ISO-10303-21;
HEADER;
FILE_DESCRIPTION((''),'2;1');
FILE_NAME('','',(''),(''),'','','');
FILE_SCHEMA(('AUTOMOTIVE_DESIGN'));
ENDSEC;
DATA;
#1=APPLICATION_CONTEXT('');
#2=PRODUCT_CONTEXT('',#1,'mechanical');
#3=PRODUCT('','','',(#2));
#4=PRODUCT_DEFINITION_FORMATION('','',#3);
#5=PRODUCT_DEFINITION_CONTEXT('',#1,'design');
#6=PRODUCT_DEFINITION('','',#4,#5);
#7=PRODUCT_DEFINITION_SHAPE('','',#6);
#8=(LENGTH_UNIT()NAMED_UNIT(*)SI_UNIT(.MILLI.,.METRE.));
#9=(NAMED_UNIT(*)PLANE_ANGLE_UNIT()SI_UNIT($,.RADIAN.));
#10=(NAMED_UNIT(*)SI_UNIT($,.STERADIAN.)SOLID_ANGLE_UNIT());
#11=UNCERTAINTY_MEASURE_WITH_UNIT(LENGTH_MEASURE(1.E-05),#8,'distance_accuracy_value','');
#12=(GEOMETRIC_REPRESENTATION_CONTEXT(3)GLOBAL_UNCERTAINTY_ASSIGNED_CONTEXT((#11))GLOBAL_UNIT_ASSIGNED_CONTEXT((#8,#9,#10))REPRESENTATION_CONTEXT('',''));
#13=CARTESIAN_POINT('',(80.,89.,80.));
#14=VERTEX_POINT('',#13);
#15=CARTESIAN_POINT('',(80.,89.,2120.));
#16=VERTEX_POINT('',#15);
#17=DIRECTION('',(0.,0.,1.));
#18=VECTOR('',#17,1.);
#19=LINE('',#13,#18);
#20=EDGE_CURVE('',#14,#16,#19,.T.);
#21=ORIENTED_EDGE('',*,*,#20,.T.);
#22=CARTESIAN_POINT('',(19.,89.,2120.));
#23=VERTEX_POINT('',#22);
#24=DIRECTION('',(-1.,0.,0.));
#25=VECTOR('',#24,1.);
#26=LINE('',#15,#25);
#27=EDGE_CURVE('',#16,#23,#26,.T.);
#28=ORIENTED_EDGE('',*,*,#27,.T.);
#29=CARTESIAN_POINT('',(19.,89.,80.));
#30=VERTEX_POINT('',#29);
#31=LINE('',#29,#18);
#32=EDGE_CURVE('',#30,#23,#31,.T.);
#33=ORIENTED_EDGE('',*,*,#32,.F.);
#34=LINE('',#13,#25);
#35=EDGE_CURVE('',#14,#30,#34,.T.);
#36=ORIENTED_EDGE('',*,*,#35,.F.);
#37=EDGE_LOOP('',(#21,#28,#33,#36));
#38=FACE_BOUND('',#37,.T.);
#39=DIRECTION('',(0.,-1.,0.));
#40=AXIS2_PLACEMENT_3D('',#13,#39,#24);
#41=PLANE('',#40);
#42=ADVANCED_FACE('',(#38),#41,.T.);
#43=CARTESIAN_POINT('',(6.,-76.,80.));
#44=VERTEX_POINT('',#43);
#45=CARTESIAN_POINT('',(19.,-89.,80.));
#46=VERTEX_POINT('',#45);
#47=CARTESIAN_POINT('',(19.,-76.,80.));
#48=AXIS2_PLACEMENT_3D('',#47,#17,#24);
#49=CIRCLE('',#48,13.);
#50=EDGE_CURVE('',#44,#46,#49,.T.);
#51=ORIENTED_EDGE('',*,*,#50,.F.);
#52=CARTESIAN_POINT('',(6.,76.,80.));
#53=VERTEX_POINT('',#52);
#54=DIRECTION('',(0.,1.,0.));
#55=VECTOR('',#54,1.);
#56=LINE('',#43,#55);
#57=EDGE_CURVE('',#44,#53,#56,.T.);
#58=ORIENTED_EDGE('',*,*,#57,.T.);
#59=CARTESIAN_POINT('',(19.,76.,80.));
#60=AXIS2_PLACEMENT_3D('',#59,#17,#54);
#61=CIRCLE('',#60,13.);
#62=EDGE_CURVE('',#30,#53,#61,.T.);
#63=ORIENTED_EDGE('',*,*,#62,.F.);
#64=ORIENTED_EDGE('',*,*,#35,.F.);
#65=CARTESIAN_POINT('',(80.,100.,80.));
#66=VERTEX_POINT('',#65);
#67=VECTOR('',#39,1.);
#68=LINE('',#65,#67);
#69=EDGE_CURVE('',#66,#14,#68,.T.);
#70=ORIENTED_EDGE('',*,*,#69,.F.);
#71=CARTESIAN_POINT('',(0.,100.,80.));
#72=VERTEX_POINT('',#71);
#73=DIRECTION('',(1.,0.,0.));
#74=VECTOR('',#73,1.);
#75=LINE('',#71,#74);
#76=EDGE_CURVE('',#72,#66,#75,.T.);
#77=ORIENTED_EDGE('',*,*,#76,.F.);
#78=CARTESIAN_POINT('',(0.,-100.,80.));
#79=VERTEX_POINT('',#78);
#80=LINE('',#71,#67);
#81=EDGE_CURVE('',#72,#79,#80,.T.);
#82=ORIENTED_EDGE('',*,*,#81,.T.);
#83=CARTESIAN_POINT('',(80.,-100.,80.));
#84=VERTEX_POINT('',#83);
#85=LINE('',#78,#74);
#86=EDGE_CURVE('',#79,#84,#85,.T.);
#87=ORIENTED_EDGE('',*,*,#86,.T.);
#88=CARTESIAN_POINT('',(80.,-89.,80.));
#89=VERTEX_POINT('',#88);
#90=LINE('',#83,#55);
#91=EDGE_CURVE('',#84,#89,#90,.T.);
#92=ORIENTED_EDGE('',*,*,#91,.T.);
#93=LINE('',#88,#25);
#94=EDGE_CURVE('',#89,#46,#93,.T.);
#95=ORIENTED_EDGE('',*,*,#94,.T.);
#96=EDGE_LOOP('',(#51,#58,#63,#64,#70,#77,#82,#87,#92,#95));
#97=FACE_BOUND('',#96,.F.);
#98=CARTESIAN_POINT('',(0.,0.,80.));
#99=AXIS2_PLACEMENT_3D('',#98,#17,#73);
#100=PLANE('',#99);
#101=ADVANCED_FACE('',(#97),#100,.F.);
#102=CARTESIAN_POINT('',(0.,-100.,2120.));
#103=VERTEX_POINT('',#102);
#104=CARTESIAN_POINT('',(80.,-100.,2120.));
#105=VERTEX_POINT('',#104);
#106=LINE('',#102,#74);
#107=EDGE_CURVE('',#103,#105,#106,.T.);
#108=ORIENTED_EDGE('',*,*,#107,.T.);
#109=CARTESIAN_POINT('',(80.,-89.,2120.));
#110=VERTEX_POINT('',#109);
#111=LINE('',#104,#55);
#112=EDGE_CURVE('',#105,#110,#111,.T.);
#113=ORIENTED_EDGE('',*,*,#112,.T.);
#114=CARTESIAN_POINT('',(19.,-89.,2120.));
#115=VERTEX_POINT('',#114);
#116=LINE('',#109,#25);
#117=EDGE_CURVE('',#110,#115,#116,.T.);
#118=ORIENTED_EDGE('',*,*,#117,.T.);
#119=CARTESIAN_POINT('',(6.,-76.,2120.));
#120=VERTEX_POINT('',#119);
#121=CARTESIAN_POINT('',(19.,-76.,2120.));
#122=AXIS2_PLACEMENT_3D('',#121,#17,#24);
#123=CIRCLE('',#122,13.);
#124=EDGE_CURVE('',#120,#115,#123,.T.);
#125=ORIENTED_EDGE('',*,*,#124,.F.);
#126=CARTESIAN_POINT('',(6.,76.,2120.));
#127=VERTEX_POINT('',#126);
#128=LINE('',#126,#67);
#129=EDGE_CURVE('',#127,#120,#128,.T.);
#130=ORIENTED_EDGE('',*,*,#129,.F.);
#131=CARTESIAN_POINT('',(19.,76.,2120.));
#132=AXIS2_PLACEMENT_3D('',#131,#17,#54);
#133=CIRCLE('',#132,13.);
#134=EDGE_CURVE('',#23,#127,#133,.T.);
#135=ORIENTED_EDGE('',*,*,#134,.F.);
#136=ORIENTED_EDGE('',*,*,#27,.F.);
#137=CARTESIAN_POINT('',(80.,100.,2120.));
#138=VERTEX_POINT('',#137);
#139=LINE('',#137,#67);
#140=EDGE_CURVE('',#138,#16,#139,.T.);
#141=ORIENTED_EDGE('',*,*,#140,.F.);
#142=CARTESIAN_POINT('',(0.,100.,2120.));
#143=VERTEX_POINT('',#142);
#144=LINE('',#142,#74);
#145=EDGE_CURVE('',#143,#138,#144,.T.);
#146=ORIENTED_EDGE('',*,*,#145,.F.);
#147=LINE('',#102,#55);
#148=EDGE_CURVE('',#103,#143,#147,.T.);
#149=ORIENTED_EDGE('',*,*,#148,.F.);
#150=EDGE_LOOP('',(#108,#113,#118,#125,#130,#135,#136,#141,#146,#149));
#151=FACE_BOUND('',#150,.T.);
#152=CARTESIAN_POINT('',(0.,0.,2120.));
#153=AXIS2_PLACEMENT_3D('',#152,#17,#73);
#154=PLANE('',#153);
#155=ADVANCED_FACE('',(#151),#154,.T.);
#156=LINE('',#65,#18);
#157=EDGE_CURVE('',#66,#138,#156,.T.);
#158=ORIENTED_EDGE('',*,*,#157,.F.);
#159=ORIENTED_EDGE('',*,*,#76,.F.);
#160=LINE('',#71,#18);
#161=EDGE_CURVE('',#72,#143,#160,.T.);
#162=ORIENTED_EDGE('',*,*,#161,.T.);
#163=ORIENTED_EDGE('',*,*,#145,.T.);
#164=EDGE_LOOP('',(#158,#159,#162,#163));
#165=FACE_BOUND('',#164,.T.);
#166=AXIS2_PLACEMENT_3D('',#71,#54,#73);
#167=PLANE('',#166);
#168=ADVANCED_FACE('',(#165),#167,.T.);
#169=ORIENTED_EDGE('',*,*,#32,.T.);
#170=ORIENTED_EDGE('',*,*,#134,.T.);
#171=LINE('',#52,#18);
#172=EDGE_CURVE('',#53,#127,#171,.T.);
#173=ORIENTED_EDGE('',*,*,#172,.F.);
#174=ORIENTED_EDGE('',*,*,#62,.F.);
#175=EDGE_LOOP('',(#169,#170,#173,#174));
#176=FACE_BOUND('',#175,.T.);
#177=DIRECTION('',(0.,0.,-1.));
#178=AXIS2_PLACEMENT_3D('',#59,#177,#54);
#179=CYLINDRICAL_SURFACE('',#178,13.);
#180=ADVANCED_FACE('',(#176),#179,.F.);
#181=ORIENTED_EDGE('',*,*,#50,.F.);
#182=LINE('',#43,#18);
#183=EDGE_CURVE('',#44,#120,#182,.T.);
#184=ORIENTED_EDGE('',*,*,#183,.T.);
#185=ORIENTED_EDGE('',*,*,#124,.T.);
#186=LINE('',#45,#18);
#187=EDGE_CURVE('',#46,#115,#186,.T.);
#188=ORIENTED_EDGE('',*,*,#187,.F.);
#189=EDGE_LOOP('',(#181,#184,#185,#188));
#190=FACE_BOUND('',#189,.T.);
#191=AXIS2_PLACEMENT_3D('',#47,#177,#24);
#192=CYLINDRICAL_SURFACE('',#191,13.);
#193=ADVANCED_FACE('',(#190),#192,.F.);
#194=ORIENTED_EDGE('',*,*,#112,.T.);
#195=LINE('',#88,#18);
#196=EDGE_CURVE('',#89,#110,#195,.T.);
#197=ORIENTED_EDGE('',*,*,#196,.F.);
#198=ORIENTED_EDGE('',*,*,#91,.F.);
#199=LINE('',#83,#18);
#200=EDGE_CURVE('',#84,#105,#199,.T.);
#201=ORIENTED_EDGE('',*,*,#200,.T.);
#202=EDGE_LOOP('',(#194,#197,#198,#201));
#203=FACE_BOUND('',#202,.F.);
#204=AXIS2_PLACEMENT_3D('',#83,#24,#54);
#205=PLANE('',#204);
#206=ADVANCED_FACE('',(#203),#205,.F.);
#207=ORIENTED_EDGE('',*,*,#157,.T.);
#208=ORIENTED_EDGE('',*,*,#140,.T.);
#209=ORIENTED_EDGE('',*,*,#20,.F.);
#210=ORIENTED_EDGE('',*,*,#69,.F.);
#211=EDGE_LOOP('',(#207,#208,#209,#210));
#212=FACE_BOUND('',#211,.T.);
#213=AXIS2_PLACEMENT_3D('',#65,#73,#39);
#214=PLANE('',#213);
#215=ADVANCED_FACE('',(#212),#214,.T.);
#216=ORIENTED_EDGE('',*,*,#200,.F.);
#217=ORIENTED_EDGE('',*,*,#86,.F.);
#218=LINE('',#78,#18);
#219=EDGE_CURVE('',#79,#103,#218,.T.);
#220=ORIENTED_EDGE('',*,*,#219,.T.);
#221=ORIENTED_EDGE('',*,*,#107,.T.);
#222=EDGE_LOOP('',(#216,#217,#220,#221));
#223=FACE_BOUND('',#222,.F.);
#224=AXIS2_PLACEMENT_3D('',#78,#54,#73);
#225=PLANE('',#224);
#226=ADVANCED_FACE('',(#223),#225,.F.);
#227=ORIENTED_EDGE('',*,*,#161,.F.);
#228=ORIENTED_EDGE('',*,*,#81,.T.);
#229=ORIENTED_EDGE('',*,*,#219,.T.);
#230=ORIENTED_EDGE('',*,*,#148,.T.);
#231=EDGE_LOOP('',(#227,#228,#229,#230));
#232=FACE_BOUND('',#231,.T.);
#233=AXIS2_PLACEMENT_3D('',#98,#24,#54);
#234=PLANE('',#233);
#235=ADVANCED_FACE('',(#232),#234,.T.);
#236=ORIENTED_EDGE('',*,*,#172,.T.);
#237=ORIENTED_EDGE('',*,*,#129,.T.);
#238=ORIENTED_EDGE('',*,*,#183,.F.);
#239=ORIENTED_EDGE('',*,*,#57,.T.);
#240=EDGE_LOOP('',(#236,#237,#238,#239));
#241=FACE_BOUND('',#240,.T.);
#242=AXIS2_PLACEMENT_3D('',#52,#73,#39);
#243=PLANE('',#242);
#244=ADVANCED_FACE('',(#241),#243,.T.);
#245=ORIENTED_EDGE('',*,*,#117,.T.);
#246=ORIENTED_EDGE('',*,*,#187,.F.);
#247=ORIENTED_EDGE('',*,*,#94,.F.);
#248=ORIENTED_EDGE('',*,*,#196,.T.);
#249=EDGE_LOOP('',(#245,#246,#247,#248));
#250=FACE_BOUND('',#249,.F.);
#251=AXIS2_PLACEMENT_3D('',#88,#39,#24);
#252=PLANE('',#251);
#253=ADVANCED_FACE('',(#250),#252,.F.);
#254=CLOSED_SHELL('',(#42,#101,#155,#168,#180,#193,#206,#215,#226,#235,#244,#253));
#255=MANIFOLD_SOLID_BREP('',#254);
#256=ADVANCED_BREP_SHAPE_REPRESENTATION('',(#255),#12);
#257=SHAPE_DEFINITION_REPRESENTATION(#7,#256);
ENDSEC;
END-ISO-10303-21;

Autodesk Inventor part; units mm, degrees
ref_plane "Start plane" through (0, 0, 80) normal (0, 0, 1) x (1, 0, 0)
ref_plane "End plane" through (0, 0, 2120) normal (0, 0, 1) x (1, 0, 0)
sketch "Sketch" plane through (0, 0, 0) normal (0, 0, 1) x (1, 0, 0)
  line L0 (0, 0) -> (0, 100)
  line L1 (0, 100) -> (80, 100)
  line L2 (80, 100) -> (80, 89)
  line L3 (80, 89) -> (19, 89)
  line L4 (6, 76) -> (6, 0)
  line L5 (6, 0) -> (0, 0) construction
  line L6 (25.6, 100) -> (25.6, 89) construction
  line L7 (80, 89) -> (80, 89) construction
  line L8 (80, 89) -> (25.6, 89) construction
  line L9 (0, 12) -> (0, -30) construction
  line L10 (-1.5, 0) -> (19.5, 0) construction
  line L11 (0, 0) -> (0, -100)
  line L12 (0, -100) -> (80, -100)
  line L13 (80, -100) -> (80, -89)
  line L14 (80, -89) -> (19, -89)
  line L15 (6, -76) -> (6, 0)
  arc A0 (6, -76) -> (19, -89) centre (19, -76) ccw
  arc A1 (19, 89) -> (6, 76) centre (19, 76) ccw
  line L16 (0, 140) -> (0, -140) construction
  line L17 (-17.8, 0) -> (96.3, 0) construction
  point P0 (6, 89)
  point P1 (6, -89)
  point P2 (25.6, -100)
  point P3 (25.6, -89)
  dimension "d0" = 6
  dimension "d1" = 100
  dimension "d2" = 80
  dimension "d3" = 11
  dimension "d5" = 0
  dimension "d23" = 13
  dimension "d24" = 0
  dimension "d29" = 25.6
extrude "Body" add sketch "Sketch" along normal up to surface (2040 mm away) from surface at 80
sketch "Sketch3" plane through (0, 0, 0) normal (0, 0, 1) x (1, 0, 0)
  line L0 (0, 0) -> (10, 0)
ref_plane "Work Plane3" through (0, 0, 0) normal (0, -1, 0) x (1, 0, 0)
sketch "Sketch4" plane through (0, 0, 0) normal (0, -1, 0) x (1, 0, 0)
  line L0 (-2, 80) -> (12, 80)
  line L1 (-2, 2120) -> (12, 2120)
  dimension "d28" = 2040
ref_plane "Work Plane4" through (-4420, 0, 80) normal (0, 0, -1) x (-1, 0, 0)
split "Split1" plane through (-4420, 0, 80) removes the side toward (0, 0, -1)
ref_plane "Work Plane5" through (80, 0, 2120) normal (0, 0, 1) x (1, 0, 0)
split "Split2" plane through (80, 0, 2120) removes the side toward (0, 0, 1)
equation "\"d0\" = G_T"
equation "\"d1\" = 0.5 * G_H"
equation "\"d2\" = G_W"
equation "\"d3\" = G_T1"
equation "\"d23\" = G_IR"
equation "\"d29\" = G_C"
equation "\"d6\" = G_L"
equation "\"G_W\" = 80"
equation "\"G_H\" = 200"
equation "\"G_T\" = 6"
equation "\"G_T1\" = 11"
equation "\"G_NG\" = 0"
equation "\"G_IR\" = 13"
equation "\"G_C\" = 25.6"
equation "\"G_L\" = d28"
equation "\"ex\" = 0"
properties part number "DIN 1026-2 - UPE 200 - 2040" material "Steel, Mild"
